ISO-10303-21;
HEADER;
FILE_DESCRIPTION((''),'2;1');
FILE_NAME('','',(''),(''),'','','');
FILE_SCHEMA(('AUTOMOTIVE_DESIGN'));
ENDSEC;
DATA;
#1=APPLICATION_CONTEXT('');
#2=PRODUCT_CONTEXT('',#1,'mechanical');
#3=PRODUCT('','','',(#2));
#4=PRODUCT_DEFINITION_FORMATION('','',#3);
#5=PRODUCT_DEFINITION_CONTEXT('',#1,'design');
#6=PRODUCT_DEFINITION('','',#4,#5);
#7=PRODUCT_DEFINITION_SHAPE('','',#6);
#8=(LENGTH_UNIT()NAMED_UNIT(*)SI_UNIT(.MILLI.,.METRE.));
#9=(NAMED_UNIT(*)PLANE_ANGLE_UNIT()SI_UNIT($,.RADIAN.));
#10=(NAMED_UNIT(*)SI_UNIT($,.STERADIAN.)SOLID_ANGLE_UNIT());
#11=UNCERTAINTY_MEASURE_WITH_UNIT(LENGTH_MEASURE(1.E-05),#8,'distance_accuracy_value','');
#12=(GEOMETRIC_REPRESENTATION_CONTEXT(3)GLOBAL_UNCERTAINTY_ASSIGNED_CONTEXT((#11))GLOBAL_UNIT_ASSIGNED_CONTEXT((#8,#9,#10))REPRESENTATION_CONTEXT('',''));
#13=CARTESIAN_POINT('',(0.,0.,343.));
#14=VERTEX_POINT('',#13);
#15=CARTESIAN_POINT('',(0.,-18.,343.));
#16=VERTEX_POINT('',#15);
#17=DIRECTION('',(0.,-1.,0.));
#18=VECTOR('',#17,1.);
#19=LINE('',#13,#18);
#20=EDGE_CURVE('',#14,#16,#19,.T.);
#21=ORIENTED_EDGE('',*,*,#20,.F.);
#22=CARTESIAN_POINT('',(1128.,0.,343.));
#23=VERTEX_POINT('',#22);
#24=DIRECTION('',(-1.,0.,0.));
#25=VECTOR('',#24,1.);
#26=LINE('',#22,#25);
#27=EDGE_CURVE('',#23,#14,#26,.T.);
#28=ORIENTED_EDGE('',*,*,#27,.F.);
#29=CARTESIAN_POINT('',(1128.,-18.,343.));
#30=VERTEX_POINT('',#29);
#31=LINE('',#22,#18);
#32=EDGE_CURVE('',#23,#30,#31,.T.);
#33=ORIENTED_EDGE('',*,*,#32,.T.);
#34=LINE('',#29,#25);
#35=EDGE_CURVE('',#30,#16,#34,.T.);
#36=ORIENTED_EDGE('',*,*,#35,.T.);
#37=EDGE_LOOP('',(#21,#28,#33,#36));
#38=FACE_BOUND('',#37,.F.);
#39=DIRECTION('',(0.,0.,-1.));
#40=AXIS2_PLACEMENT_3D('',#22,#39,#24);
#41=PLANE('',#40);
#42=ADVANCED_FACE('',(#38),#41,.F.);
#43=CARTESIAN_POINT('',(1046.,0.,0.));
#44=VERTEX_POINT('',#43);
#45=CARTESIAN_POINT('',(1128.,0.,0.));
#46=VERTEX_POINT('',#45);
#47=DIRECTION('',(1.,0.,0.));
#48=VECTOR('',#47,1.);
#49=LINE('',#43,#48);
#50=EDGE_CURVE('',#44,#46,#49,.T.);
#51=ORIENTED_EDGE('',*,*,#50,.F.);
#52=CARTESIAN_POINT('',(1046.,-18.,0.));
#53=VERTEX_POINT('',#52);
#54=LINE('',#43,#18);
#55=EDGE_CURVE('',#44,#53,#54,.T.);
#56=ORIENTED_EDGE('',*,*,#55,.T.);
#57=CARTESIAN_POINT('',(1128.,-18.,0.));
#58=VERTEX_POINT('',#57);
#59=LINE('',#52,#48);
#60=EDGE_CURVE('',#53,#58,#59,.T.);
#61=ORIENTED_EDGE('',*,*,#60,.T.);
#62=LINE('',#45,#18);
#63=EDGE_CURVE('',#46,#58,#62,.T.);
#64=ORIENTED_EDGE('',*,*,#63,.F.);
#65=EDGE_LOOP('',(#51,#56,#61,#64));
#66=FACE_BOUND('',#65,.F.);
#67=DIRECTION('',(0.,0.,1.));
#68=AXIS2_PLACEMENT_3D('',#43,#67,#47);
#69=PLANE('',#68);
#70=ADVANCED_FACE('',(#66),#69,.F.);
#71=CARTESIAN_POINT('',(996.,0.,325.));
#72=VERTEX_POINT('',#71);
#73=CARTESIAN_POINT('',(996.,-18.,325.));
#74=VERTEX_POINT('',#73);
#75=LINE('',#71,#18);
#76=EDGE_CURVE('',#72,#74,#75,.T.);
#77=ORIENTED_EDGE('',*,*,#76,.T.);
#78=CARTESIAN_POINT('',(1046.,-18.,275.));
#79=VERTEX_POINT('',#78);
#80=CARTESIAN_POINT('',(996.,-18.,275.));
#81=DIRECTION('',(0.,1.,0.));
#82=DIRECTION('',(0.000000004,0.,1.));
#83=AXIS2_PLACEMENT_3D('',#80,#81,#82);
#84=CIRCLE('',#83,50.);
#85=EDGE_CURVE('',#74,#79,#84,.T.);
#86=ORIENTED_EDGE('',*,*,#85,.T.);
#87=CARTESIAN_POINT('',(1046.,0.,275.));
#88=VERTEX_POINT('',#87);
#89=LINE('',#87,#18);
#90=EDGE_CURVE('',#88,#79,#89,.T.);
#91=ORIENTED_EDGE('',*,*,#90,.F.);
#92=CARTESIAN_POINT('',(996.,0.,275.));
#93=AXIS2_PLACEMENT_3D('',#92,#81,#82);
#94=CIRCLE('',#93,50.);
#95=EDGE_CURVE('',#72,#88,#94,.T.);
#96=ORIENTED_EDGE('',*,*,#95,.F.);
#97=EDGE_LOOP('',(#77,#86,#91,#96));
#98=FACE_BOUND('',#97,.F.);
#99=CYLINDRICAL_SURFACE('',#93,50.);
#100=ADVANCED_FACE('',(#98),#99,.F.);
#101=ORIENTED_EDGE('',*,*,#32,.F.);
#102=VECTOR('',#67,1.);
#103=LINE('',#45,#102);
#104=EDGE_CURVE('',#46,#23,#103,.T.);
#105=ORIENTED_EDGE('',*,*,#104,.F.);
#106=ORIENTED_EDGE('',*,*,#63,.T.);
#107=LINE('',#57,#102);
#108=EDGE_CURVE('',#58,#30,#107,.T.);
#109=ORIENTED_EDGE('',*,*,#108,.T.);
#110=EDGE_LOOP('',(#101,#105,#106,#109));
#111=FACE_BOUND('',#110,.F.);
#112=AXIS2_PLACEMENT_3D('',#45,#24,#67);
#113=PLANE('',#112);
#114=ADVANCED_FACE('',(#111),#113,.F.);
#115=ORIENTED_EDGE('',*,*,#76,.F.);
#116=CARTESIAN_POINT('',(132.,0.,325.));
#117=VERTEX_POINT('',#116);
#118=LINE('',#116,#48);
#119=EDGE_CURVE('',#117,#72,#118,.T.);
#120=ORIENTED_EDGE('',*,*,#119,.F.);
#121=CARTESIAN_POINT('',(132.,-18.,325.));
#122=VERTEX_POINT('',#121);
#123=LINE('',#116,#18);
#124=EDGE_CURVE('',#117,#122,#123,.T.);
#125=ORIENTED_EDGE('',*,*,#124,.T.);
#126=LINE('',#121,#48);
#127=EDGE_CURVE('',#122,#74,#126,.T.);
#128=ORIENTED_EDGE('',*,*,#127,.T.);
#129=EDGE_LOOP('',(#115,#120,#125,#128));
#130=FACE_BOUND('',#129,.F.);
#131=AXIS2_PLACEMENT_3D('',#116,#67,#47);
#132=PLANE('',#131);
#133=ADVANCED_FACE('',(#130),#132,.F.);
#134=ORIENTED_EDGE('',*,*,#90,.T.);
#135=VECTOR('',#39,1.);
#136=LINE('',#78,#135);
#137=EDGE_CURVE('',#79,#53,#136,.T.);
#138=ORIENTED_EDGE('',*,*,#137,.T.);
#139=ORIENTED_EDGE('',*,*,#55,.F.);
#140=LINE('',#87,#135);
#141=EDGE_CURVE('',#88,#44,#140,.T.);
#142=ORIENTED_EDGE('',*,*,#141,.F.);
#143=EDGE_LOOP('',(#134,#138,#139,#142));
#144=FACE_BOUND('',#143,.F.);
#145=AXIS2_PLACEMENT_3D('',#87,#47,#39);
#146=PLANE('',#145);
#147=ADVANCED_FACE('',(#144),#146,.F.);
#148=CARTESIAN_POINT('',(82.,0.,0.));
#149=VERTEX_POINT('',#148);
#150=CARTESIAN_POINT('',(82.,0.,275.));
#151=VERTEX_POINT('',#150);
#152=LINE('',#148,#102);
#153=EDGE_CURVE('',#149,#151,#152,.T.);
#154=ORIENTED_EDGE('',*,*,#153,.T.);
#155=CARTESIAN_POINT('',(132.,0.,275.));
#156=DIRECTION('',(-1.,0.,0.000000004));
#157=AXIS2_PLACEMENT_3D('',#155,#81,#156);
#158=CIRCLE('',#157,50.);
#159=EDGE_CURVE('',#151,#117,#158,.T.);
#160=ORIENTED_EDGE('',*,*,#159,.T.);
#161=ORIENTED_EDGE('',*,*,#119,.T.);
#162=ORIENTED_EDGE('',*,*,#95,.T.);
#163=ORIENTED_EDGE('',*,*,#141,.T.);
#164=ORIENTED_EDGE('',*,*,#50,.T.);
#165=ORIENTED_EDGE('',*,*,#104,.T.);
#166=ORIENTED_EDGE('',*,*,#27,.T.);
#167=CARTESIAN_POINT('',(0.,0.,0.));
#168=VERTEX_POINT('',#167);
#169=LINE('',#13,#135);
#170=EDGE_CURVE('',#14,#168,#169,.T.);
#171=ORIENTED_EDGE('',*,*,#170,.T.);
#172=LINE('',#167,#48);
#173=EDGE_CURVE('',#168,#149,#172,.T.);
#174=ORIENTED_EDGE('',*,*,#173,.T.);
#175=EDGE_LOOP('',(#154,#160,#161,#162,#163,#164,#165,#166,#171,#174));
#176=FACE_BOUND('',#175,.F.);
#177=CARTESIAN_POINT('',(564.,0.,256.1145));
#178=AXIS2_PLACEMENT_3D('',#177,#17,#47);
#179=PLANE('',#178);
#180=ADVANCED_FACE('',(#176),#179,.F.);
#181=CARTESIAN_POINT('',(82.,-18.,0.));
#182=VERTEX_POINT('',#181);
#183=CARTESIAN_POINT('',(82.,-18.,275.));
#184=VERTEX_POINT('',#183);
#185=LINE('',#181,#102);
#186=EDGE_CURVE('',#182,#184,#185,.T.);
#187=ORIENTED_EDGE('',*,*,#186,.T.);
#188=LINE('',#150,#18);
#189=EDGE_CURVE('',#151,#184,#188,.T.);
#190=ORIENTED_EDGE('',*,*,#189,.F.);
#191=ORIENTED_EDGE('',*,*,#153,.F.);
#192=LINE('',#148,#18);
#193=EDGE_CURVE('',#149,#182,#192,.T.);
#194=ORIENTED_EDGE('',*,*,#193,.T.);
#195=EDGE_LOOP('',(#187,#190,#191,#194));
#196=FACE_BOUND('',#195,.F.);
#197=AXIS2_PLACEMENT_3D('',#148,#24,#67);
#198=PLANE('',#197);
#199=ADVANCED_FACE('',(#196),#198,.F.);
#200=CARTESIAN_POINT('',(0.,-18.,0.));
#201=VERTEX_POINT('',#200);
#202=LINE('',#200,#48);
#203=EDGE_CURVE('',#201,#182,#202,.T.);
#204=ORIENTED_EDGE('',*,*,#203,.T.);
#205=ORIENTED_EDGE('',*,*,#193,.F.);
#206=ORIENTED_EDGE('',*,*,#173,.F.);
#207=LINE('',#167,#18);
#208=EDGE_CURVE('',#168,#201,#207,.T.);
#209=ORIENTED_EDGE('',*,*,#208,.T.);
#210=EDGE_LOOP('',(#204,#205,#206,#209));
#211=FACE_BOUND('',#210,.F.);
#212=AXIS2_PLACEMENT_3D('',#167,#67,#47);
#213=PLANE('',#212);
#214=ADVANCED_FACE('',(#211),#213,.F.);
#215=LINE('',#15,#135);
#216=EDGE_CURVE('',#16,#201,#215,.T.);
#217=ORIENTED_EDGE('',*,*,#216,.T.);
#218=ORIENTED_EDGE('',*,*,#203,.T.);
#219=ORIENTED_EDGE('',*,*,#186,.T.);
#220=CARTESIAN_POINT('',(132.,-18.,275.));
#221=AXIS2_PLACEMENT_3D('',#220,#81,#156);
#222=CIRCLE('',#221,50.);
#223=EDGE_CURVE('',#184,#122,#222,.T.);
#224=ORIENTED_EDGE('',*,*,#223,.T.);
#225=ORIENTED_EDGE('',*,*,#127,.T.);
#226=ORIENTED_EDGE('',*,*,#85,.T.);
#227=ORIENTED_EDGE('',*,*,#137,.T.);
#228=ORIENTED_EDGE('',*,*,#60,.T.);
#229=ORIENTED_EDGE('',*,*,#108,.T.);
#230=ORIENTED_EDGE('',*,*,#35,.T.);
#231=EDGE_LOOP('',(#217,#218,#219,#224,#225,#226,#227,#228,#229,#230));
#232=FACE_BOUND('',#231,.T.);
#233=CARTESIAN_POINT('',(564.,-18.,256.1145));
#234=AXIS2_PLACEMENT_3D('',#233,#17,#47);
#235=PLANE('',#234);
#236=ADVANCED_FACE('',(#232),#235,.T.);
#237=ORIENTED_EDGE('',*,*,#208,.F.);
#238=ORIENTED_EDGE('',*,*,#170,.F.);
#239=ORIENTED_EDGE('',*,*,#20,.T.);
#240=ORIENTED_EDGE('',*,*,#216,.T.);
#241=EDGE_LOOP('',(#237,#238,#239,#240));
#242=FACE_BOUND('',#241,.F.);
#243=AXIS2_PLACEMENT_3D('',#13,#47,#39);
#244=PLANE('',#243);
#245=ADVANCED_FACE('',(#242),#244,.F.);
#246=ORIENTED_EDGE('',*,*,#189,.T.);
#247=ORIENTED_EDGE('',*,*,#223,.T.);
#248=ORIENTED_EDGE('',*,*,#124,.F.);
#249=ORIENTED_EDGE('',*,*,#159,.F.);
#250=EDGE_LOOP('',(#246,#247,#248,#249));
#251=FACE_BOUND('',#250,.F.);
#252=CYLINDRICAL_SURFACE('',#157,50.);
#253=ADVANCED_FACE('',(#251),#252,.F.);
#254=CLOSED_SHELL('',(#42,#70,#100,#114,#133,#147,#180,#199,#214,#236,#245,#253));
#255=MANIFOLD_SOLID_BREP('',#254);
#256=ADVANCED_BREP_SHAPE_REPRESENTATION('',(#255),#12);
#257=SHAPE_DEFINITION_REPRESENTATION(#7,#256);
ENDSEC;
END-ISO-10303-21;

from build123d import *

# Parameters (mm, degrees)
F1_DEPTH = 18


with BuildPart() as f1:
    # F0 (on Front) → F1 (new body)
    with BuildSketch(Plane.XZ):
        with BuildLine():
            Line((0, 343), (0, 0))
            Line((0, 0), (82, 0))
            Line((82, 0), (82, 275))
            ThreePointArc((82, 275), (96.644661, 310.355339), (132, 325))
            Line((132, 325), (996, 325))
            ThreePointArc((996, 325), (1031.355339, 310.355339), (1046, 275))
            Line((1046, 275), (1046, 0))
            Line((1046, 0), (1128, 0))
            Line((1128, 0), (1128, 343))
            Line((1128, 343), (0, 343))
        make_face()
    extrude(amount=F1_DEPTH)


solid = f1.part
